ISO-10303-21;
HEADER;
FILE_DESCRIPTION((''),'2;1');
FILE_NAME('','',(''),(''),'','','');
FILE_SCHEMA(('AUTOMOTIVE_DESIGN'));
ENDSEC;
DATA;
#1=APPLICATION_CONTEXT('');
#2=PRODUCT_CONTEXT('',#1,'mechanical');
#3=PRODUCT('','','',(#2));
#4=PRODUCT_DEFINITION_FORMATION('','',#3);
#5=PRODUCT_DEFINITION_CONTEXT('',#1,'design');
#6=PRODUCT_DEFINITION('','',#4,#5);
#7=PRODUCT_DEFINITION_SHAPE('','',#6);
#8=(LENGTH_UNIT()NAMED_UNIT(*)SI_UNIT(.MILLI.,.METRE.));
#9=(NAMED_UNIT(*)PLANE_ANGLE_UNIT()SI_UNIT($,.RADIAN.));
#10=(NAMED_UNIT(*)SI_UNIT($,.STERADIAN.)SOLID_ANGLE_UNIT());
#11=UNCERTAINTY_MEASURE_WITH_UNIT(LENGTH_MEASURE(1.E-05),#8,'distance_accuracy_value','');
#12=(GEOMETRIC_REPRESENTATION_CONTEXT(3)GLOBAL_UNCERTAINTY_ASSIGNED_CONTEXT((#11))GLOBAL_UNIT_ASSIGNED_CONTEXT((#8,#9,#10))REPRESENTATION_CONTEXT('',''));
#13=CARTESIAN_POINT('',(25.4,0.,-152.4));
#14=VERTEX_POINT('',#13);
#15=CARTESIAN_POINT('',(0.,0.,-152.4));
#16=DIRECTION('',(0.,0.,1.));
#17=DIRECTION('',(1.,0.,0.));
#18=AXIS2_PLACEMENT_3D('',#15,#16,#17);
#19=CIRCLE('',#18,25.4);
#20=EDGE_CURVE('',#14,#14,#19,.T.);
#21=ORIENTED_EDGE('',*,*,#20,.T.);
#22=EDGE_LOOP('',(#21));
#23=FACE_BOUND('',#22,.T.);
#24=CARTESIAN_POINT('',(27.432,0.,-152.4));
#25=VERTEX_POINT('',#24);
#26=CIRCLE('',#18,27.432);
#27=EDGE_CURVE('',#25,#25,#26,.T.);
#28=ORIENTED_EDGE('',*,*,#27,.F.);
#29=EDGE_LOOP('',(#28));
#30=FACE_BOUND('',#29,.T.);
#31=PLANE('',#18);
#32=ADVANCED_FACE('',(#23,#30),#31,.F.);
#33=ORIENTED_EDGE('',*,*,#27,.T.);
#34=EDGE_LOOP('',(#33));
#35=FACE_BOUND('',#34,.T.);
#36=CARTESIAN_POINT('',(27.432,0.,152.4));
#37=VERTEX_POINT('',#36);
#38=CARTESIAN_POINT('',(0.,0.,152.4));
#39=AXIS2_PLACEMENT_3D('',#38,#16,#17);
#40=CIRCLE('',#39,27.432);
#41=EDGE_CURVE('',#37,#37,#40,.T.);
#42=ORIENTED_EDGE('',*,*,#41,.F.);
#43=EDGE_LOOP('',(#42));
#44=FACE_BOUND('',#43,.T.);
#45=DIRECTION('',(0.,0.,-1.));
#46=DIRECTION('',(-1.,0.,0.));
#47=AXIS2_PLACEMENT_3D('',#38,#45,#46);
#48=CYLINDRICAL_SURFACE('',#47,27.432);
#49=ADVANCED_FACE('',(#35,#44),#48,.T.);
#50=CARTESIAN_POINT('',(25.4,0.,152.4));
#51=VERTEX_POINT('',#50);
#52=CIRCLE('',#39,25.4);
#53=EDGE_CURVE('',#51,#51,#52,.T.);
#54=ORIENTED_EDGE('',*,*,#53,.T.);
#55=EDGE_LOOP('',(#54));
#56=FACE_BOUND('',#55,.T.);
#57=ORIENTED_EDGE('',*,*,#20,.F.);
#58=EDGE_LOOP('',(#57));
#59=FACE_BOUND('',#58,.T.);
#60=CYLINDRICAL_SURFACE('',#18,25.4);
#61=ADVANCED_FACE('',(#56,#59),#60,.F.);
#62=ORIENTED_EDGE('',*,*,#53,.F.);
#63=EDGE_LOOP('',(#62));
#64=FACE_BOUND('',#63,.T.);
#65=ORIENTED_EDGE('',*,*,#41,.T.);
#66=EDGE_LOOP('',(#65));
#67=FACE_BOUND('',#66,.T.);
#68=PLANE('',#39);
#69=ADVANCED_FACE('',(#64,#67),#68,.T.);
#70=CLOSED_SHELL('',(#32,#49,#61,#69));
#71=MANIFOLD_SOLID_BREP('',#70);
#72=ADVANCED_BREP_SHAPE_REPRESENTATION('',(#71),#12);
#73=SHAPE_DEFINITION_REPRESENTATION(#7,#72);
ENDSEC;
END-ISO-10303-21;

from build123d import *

# Parameters (mm, degrees)
SKETCH1_R           = 27.432
BOSS_EXTRUDE1_DEPTH = 152.4
SKETCH2_R           = 25.4
CUT_EXTRUDE1_DEPTH  = 305.8


with BuildPart() as part:
    # Sketch1 → Boss-Extrude1 (new body, symmetric)
    with BuildSketch(Plane.XY):
        Circle(SKETCH1_R)
    extrude(amount=BOSS_EXTRUDE1_DEPTH, both=True)

    # Sketch2 → Cut-Extrude1 (cut, through all)
    with BuildSketch(Plane.XY.offset(152.4)):
        Circle(SKETCH2_R)
    extrude(amount=-CUT_EXTRUDE1_DEPTH, mode=Mode.SUBTRACT)


solid = part.part
